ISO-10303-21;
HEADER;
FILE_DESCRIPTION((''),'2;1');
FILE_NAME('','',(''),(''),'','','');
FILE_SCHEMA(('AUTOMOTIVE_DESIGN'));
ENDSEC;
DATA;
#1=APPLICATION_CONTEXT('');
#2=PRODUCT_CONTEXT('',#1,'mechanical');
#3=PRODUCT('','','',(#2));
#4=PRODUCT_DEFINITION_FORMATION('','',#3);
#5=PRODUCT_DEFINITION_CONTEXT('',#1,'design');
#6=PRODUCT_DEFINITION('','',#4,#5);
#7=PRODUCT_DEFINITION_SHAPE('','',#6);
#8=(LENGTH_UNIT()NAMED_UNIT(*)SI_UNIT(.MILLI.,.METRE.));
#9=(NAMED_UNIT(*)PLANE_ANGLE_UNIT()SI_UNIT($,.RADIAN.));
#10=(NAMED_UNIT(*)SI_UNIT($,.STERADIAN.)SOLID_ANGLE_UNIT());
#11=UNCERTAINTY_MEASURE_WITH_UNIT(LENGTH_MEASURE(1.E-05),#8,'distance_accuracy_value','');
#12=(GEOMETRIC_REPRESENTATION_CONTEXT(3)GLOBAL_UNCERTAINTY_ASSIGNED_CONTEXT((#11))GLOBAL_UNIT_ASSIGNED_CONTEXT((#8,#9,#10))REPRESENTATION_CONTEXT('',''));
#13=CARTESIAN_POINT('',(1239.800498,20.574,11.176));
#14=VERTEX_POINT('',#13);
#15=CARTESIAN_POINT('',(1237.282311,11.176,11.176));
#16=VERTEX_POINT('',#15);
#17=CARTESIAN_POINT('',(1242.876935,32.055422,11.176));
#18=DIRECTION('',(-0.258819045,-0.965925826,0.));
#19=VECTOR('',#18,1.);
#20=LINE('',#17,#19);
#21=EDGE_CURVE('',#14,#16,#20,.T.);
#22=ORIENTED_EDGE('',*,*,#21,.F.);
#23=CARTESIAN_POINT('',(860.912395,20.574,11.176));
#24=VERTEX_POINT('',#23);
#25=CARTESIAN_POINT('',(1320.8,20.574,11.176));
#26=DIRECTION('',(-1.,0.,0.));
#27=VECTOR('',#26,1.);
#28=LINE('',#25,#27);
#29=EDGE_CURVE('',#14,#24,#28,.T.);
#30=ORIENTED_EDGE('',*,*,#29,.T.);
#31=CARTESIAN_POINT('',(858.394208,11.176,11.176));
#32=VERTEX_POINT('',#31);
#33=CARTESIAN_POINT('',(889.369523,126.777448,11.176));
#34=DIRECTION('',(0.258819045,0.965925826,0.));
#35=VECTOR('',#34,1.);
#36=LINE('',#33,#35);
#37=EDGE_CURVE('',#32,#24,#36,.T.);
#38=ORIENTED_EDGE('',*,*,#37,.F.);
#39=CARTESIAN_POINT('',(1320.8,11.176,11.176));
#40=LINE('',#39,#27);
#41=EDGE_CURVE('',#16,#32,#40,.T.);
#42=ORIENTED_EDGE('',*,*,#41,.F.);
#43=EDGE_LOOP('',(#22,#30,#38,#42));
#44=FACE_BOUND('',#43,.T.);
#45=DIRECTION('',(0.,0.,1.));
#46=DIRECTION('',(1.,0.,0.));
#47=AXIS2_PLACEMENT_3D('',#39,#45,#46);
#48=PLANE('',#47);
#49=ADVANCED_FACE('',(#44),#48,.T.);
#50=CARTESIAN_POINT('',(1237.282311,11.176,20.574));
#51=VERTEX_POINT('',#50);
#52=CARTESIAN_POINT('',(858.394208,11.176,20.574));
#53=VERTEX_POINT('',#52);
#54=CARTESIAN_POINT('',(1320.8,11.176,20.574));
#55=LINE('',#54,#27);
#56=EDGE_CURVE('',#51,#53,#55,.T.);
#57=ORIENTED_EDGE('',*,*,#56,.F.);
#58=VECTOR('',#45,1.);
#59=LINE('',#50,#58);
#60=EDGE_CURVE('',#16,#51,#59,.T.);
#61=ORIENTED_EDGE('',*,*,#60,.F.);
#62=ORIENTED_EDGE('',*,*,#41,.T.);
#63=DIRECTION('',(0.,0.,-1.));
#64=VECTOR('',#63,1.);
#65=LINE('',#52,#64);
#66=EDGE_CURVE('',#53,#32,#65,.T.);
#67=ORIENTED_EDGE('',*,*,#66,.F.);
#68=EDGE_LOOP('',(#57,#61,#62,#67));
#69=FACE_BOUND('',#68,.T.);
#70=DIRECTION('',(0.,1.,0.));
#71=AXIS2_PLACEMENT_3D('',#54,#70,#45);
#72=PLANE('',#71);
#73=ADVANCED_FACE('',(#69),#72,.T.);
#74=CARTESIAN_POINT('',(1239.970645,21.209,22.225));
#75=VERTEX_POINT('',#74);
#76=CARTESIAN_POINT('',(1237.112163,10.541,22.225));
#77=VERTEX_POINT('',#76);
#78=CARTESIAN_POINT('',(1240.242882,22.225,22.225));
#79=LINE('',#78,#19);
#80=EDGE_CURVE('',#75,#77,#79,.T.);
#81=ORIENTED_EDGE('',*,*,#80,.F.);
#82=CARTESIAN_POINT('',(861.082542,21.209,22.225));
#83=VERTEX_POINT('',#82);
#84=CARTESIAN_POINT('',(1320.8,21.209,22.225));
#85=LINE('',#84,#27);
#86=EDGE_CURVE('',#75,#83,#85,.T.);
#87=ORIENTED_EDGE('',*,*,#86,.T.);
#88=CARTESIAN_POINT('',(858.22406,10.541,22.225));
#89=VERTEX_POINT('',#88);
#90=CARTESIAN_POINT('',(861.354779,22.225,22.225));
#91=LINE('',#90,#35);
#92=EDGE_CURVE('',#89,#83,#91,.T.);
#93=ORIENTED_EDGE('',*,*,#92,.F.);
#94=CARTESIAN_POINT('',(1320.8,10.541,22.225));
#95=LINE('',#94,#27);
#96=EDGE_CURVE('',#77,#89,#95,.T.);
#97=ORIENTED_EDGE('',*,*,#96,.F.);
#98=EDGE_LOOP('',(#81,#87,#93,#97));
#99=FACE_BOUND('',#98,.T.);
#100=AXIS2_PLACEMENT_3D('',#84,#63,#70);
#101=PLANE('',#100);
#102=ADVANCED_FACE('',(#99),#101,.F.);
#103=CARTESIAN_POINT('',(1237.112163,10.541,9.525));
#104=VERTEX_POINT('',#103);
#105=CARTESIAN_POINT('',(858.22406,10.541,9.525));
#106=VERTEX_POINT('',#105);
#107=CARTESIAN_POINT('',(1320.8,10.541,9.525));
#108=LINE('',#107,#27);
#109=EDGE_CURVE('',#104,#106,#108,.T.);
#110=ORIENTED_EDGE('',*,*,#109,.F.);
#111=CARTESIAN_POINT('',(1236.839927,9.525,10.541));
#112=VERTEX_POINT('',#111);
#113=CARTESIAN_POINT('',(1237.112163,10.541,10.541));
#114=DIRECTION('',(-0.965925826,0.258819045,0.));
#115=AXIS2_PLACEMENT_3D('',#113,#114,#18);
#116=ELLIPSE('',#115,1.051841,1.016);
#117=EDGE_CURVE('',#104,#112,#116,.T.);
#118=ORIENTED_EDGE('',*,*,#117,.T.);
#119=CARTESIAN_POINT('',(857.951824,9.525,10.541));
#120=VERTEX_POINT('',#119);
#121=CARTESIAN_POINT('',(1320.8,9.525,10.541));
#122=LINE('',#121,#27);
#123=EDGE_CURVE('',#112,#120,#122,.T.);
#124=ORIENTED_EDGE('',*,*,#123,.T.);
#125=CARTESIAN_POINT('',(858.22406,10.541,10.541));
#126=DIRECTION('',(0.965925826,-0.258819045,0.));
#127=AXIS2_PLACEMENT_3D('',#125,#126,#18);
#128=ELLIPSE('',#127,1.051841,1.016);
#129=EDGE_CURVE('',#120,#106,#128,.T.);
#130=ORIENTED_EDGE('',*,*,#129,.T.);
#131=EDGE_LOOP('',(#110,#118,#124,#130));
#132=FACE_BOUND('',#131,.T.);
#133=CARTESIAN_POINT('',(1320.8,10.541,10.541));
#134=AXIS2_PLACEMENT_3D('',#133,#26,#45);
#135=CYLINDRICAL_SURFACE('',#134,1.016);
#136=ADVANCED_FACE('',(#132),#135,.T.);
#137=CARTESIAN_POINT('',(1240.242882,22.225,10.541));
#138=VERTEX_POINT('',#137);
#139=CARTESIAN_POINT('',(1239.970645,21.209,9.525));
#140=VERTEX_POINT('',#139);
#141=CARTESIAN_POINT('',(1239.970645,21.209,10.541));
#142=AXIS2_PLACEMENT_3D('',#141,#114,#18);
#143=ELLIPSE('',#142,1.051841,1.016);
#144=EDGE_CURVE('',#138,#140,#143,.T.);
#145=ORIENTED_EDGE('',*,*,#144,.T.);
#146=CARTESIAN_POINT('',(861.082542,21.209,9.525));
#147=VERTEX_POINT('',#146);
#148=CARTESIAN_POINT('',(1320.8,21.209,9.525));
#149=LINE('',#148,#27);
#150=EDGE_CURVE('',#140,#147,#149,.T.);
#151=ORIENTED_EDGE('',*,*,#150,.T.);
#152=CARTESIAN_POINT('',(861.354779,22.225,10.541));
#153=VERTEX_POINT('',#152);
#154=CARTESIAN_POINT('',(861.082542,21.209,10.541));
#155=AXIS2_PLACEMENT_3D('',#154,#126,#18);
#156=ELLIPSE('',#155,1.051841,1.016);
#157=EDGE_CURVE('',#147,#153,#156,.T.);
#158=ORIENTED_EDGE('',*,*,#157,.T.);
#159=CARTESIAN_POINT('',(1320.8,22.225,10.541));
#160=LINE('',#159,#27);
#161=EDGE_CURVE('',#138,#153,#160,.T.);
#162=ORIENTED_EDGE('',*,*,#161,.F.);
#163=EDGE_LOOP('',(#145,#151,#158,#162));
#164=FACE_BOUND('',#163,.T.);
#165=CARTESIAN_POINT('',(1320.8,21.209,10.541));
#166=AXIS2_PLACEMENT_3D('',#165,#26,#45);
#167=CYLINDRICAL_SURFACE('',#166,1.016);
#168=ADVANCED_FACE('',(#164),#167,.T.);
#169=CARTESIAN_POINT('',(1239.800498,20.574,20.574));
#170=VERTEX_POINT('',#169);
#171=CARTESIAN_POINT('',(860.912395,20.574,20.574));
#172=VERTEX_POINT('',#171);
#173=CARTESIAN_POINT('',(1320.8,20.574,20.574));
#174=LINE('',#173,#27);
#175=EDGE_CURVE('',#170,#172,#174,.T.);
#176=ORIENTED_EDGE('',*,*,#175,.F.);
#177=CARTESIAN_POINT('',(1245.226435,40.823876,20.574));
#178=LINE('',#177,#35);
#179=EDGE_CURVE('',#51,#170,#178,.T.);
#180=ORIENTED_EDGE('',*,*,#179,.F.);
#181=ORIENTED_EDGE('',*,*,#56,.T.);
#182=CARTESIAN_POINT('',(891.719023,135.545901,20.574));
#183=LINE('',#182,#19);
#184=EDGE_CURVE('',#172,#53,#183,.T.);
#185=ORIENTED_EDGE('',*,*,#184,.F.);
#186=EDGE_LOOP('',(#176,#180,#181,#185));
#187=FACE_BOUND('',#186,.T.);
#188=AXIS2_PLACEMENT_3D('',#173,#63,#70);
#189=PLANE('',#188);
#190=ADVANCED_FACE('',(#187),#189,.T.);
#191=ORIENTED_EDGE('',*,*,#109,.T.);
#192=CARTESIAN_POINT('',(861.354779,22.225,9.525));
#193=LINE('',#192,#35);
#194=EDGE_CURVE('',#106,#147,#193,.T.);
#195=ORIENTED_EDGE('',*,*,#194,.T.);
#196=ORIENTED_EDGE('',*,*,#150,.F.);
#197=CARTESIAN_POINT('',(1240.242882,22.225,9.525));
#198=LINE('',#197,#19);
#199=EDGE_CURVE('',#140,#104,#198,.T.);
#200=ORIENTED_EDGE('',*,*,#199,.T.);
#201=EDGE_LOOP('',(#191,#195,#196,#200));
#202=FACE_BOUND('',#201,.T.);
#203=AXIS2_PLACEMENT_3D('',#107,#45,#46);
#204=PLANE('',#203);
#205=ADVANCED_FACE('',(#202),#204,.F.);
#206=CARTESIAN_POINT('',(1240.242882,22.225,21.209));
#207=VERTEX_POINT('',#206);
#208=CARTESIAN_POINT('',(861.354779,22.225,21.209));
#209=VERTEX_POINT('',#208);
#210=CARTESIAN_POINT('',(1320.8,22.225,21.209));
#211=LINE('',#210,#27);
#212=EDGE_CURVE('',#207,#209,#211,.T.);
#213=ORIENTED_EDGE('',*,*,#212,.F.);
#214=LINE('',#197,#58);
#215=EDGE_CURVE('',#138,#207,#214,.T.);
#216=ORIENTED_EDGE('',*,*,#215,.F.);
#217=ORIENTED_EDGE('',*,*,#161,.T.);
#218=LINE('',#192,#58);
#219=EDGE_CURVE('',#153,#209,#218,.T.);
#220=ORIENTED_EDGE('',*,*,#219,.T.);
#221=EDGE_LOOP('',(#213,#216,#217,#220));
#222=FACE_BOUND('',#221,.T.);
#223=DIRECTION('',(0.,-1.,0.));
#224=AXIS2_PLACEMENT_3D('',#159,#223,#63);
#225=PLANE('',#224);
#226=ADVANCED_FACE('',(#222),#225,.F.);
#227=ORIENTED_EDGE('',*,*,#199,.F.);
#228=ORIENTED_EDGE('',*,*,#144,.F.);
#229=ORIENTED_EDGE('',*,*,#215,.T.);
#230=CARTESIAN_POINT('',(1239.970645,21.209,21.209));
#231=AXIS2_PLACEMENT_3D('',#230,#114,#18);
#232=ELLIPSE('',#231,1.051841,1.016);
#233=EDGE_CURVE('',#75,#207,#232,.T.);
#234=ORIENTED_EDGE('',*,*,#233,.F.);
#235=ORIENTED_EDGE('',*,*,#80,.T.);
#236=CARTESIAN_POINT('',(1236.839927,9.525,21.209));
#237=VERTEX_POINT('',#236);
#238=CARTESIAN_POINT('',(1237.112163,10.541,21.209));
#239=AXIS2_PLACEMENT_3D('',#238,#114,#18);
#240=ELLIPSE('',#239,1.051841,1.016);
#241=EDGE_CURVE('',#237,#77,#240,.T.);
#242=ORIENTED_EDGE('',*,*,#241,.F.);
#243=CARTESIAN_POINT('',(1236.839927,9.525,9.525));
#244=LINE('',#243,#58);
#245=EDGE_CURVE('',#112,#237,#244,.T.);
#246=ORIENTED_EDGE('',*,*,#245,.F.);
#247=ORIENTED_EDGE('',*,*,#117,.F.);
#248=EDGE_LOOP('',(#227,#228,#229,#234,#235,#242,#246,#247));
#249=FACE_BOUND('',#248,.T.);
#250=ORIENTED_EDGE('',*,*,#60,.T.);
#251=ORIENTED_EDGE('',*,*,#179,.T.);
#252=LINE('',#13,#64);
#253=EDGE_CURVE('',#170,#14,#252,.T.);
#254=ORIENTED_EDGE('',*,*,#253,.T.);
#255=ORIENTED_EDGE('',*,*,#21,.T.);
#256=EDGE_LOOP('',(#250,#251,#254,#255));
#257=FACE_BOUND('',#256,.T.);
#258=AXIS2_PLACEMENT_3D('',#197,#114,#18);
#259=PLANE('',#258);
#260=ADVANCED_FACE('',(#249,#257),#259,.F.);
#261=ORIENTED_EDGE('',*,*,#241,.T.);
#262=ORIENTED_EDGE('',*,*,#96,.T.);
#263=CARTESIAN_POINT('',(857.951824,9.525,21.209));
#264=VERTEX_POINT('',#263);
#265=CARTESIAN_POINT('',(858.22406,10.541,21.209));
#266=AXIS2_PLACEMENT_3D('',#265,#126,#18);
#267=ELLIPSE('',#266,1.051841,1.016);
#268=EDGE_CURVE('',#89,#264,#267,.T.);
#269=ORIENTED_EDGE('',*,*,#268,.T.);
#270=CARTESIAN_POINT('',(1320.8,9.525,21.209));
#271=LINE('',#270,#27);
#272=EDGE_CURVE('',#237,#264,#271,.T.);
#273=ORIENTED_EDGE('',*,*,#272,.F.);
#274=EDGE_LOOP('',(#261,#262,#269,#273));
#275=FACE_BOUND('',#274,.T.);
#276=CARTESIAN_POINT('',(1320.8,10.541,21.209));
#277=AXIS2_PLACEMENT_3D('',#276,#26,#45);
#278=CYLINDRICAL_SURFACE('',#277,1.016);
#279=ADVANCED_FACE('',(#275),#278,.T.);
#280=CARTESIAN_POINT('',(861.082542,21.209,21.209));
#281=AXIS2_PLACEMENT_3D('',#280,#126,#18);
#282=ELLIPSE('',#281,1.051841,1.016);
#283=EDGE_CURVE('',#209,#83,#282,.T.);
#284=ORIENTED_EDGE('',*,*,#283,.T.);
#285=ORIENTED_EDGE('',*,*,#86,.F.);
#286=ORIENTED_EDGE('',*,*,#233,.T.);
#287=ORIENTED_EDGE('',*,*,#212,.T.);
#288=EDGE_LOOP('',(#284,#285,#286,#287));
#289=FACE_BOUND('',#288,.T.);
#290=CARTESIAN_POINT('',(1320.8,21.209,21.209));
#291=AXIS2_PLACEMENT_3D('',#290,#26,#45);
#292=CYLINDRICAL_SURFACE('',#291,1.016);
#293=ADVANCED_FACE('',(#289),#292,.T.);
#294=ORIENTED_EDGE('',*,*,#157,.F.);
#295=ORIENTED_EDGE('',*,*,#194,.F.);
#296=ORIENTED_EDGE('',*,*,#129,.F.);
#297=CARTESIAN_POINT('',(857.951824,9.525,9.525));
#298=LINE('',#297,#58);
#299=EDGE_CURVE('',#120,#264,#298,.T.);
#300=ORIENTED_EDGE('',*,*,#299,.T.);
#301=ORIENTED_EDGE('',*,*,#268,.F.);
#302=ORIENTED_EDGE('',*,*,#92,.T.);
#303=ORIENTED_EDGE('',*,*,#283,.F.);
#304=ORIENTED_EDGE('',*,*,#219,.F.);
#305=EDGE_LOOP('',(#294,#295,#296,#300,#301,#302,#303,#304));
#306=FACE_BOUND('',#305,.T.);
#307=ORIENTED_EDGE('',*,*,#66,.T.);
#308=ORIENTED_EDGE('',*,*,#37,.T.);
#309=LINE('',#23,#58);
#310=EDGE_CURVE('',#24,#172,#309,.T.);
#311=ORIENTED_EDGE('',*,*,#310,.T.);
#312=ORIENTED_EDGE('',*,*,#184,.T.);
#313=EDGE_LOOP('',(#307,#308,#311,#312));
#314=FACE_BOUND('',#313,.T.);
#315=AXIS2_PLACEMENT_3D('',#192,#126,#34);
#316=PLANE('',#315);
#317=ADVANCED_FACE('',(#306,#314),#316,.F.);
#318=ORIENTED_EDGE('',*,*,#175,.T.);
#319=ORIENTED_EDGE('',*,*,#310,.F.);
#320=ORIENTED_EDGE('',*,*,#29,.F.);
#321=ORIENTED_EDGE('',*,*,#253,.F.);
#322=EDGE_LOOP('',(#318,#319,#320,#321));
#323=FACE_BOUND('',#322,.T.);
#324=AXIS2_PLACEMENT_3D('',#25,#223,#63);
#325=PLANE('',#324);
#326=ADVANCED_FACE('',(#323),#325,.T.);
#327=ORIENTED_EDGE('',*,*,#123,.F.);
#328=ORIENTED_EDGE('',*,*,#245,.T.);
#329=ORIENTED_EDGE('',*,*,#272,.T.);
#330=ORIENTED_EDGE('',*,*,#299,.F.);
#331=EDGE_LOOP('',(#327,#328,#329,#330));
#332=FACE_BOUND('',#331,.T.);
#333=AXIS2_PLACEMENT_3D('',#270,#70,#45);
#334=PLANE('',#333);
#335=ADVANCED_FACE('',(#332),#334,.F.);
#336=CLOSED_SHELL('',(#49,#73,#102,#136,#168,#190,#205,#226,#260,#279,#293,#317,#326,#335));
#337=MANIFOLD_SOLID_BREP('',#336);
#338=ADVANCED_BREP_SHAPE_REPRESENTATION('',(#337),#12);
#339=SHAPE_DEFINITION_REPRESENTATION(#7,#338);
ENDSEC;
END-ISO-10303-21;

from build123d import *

# Parameters (mm, degrees)
SKETCH1_W           = 23.495
SKETCH1_H           = 23.495
BOSS_EXTRUDE1_DEPTH = 1320.8
SCALE2_SCALE_X      = 1
SCALE2_SCALE_Y      = 0.4
SCALE2_SCALE_Z      = 0.4
CUT_EXTRUDE1_DEPTH  = 1322.04802369
CUT_EXTRUDE2_DEPTH  = 1322.04802369


with BuildPart() as part:
    # Sketch1 → Boss-Extrude1 (new body)
    with BuildSketch(Plane(origin=(0, 0, 0), x_dir=(0, 0, -1), z_dir=(1, 0, 0))):
        with BuildLine():
            Line((0, 2.54), (0, 29.21))
            ThreePointArc((0, 29.21), (-0.743948776, 31.006051224), (-2.54, 31.75))
            Line((-2.54, 31.75), (-29.21, 31.75))
            ThreePointArc((-29.21, 31.75), (-31.006051224, 31.006051224), (-31.75, 29.21))
            Line((-31.75, 29.21), (-31.75, 2.54))
            ThreePointArc((-31.75, 2.54), (-31.006051224, 0.743948776), (-29.21, 0))
            Line((-29.21, 0), (-2.54, 0))
            ThreePointArc((-2.54, 0), (-0.743948776, 0.743948776), (0, 2.54))
        make_face()
        with Locations((-15.875, 15.875)):
            Rectangle(SKETCH1_W, SKETCH1_H, mode=Mode.SUBTRACT)
    extrude(amount=BOSS_EXTRUDE1_DEPTH)


with BuildPart() as part_1:
    # Scale2: scaled about (660.4, 15.875, 15.875)
    add(part.part.scale((SCALE2_SCALE_X, SCALE2_SCALE_Y, SCALE2_SCALE_Z), about=(660.4, 15.875, 15.875)))

    # Sketch3 → Cut-Extrude1 (cut, through all)
    with BuildSketch(Plane.XY.offset(22.225)):
        Polygon((861.354778809, 22.225), (857.951824065, 9.525), (846.963573515, 9.525), (846.963573515, 22.225), align=None)
    extrude(amount=-CUT_EXTRUDE1_DEPTH, mode=Mode.SUBTRACT)


with BuildPart() as cut_extrude1_kept_piece:
    # of the separate pieces the step leaves, the one the design keeps (cut_extrude1_pieces_kept)
    add(part_1.part.solids().sort_by_distance((861.08254243, 21.209, 9.525))[0])

    # Sketch4 → Cut-Extrude2 (cut, through all)
    with BuildSketch(Plane.XY.offset(22.225)):
        Polygon((1236.839927048, 9.525), (1320.8, 9.525), (1320.8, 22.225), (1240.242881792, 22.225), align=None)
    extrude(amount=-CUT_EXTRUDE2_DEPTH, mode=Mode.SUBTRACT)


solid = cut_extrude1_kept_piece.part
